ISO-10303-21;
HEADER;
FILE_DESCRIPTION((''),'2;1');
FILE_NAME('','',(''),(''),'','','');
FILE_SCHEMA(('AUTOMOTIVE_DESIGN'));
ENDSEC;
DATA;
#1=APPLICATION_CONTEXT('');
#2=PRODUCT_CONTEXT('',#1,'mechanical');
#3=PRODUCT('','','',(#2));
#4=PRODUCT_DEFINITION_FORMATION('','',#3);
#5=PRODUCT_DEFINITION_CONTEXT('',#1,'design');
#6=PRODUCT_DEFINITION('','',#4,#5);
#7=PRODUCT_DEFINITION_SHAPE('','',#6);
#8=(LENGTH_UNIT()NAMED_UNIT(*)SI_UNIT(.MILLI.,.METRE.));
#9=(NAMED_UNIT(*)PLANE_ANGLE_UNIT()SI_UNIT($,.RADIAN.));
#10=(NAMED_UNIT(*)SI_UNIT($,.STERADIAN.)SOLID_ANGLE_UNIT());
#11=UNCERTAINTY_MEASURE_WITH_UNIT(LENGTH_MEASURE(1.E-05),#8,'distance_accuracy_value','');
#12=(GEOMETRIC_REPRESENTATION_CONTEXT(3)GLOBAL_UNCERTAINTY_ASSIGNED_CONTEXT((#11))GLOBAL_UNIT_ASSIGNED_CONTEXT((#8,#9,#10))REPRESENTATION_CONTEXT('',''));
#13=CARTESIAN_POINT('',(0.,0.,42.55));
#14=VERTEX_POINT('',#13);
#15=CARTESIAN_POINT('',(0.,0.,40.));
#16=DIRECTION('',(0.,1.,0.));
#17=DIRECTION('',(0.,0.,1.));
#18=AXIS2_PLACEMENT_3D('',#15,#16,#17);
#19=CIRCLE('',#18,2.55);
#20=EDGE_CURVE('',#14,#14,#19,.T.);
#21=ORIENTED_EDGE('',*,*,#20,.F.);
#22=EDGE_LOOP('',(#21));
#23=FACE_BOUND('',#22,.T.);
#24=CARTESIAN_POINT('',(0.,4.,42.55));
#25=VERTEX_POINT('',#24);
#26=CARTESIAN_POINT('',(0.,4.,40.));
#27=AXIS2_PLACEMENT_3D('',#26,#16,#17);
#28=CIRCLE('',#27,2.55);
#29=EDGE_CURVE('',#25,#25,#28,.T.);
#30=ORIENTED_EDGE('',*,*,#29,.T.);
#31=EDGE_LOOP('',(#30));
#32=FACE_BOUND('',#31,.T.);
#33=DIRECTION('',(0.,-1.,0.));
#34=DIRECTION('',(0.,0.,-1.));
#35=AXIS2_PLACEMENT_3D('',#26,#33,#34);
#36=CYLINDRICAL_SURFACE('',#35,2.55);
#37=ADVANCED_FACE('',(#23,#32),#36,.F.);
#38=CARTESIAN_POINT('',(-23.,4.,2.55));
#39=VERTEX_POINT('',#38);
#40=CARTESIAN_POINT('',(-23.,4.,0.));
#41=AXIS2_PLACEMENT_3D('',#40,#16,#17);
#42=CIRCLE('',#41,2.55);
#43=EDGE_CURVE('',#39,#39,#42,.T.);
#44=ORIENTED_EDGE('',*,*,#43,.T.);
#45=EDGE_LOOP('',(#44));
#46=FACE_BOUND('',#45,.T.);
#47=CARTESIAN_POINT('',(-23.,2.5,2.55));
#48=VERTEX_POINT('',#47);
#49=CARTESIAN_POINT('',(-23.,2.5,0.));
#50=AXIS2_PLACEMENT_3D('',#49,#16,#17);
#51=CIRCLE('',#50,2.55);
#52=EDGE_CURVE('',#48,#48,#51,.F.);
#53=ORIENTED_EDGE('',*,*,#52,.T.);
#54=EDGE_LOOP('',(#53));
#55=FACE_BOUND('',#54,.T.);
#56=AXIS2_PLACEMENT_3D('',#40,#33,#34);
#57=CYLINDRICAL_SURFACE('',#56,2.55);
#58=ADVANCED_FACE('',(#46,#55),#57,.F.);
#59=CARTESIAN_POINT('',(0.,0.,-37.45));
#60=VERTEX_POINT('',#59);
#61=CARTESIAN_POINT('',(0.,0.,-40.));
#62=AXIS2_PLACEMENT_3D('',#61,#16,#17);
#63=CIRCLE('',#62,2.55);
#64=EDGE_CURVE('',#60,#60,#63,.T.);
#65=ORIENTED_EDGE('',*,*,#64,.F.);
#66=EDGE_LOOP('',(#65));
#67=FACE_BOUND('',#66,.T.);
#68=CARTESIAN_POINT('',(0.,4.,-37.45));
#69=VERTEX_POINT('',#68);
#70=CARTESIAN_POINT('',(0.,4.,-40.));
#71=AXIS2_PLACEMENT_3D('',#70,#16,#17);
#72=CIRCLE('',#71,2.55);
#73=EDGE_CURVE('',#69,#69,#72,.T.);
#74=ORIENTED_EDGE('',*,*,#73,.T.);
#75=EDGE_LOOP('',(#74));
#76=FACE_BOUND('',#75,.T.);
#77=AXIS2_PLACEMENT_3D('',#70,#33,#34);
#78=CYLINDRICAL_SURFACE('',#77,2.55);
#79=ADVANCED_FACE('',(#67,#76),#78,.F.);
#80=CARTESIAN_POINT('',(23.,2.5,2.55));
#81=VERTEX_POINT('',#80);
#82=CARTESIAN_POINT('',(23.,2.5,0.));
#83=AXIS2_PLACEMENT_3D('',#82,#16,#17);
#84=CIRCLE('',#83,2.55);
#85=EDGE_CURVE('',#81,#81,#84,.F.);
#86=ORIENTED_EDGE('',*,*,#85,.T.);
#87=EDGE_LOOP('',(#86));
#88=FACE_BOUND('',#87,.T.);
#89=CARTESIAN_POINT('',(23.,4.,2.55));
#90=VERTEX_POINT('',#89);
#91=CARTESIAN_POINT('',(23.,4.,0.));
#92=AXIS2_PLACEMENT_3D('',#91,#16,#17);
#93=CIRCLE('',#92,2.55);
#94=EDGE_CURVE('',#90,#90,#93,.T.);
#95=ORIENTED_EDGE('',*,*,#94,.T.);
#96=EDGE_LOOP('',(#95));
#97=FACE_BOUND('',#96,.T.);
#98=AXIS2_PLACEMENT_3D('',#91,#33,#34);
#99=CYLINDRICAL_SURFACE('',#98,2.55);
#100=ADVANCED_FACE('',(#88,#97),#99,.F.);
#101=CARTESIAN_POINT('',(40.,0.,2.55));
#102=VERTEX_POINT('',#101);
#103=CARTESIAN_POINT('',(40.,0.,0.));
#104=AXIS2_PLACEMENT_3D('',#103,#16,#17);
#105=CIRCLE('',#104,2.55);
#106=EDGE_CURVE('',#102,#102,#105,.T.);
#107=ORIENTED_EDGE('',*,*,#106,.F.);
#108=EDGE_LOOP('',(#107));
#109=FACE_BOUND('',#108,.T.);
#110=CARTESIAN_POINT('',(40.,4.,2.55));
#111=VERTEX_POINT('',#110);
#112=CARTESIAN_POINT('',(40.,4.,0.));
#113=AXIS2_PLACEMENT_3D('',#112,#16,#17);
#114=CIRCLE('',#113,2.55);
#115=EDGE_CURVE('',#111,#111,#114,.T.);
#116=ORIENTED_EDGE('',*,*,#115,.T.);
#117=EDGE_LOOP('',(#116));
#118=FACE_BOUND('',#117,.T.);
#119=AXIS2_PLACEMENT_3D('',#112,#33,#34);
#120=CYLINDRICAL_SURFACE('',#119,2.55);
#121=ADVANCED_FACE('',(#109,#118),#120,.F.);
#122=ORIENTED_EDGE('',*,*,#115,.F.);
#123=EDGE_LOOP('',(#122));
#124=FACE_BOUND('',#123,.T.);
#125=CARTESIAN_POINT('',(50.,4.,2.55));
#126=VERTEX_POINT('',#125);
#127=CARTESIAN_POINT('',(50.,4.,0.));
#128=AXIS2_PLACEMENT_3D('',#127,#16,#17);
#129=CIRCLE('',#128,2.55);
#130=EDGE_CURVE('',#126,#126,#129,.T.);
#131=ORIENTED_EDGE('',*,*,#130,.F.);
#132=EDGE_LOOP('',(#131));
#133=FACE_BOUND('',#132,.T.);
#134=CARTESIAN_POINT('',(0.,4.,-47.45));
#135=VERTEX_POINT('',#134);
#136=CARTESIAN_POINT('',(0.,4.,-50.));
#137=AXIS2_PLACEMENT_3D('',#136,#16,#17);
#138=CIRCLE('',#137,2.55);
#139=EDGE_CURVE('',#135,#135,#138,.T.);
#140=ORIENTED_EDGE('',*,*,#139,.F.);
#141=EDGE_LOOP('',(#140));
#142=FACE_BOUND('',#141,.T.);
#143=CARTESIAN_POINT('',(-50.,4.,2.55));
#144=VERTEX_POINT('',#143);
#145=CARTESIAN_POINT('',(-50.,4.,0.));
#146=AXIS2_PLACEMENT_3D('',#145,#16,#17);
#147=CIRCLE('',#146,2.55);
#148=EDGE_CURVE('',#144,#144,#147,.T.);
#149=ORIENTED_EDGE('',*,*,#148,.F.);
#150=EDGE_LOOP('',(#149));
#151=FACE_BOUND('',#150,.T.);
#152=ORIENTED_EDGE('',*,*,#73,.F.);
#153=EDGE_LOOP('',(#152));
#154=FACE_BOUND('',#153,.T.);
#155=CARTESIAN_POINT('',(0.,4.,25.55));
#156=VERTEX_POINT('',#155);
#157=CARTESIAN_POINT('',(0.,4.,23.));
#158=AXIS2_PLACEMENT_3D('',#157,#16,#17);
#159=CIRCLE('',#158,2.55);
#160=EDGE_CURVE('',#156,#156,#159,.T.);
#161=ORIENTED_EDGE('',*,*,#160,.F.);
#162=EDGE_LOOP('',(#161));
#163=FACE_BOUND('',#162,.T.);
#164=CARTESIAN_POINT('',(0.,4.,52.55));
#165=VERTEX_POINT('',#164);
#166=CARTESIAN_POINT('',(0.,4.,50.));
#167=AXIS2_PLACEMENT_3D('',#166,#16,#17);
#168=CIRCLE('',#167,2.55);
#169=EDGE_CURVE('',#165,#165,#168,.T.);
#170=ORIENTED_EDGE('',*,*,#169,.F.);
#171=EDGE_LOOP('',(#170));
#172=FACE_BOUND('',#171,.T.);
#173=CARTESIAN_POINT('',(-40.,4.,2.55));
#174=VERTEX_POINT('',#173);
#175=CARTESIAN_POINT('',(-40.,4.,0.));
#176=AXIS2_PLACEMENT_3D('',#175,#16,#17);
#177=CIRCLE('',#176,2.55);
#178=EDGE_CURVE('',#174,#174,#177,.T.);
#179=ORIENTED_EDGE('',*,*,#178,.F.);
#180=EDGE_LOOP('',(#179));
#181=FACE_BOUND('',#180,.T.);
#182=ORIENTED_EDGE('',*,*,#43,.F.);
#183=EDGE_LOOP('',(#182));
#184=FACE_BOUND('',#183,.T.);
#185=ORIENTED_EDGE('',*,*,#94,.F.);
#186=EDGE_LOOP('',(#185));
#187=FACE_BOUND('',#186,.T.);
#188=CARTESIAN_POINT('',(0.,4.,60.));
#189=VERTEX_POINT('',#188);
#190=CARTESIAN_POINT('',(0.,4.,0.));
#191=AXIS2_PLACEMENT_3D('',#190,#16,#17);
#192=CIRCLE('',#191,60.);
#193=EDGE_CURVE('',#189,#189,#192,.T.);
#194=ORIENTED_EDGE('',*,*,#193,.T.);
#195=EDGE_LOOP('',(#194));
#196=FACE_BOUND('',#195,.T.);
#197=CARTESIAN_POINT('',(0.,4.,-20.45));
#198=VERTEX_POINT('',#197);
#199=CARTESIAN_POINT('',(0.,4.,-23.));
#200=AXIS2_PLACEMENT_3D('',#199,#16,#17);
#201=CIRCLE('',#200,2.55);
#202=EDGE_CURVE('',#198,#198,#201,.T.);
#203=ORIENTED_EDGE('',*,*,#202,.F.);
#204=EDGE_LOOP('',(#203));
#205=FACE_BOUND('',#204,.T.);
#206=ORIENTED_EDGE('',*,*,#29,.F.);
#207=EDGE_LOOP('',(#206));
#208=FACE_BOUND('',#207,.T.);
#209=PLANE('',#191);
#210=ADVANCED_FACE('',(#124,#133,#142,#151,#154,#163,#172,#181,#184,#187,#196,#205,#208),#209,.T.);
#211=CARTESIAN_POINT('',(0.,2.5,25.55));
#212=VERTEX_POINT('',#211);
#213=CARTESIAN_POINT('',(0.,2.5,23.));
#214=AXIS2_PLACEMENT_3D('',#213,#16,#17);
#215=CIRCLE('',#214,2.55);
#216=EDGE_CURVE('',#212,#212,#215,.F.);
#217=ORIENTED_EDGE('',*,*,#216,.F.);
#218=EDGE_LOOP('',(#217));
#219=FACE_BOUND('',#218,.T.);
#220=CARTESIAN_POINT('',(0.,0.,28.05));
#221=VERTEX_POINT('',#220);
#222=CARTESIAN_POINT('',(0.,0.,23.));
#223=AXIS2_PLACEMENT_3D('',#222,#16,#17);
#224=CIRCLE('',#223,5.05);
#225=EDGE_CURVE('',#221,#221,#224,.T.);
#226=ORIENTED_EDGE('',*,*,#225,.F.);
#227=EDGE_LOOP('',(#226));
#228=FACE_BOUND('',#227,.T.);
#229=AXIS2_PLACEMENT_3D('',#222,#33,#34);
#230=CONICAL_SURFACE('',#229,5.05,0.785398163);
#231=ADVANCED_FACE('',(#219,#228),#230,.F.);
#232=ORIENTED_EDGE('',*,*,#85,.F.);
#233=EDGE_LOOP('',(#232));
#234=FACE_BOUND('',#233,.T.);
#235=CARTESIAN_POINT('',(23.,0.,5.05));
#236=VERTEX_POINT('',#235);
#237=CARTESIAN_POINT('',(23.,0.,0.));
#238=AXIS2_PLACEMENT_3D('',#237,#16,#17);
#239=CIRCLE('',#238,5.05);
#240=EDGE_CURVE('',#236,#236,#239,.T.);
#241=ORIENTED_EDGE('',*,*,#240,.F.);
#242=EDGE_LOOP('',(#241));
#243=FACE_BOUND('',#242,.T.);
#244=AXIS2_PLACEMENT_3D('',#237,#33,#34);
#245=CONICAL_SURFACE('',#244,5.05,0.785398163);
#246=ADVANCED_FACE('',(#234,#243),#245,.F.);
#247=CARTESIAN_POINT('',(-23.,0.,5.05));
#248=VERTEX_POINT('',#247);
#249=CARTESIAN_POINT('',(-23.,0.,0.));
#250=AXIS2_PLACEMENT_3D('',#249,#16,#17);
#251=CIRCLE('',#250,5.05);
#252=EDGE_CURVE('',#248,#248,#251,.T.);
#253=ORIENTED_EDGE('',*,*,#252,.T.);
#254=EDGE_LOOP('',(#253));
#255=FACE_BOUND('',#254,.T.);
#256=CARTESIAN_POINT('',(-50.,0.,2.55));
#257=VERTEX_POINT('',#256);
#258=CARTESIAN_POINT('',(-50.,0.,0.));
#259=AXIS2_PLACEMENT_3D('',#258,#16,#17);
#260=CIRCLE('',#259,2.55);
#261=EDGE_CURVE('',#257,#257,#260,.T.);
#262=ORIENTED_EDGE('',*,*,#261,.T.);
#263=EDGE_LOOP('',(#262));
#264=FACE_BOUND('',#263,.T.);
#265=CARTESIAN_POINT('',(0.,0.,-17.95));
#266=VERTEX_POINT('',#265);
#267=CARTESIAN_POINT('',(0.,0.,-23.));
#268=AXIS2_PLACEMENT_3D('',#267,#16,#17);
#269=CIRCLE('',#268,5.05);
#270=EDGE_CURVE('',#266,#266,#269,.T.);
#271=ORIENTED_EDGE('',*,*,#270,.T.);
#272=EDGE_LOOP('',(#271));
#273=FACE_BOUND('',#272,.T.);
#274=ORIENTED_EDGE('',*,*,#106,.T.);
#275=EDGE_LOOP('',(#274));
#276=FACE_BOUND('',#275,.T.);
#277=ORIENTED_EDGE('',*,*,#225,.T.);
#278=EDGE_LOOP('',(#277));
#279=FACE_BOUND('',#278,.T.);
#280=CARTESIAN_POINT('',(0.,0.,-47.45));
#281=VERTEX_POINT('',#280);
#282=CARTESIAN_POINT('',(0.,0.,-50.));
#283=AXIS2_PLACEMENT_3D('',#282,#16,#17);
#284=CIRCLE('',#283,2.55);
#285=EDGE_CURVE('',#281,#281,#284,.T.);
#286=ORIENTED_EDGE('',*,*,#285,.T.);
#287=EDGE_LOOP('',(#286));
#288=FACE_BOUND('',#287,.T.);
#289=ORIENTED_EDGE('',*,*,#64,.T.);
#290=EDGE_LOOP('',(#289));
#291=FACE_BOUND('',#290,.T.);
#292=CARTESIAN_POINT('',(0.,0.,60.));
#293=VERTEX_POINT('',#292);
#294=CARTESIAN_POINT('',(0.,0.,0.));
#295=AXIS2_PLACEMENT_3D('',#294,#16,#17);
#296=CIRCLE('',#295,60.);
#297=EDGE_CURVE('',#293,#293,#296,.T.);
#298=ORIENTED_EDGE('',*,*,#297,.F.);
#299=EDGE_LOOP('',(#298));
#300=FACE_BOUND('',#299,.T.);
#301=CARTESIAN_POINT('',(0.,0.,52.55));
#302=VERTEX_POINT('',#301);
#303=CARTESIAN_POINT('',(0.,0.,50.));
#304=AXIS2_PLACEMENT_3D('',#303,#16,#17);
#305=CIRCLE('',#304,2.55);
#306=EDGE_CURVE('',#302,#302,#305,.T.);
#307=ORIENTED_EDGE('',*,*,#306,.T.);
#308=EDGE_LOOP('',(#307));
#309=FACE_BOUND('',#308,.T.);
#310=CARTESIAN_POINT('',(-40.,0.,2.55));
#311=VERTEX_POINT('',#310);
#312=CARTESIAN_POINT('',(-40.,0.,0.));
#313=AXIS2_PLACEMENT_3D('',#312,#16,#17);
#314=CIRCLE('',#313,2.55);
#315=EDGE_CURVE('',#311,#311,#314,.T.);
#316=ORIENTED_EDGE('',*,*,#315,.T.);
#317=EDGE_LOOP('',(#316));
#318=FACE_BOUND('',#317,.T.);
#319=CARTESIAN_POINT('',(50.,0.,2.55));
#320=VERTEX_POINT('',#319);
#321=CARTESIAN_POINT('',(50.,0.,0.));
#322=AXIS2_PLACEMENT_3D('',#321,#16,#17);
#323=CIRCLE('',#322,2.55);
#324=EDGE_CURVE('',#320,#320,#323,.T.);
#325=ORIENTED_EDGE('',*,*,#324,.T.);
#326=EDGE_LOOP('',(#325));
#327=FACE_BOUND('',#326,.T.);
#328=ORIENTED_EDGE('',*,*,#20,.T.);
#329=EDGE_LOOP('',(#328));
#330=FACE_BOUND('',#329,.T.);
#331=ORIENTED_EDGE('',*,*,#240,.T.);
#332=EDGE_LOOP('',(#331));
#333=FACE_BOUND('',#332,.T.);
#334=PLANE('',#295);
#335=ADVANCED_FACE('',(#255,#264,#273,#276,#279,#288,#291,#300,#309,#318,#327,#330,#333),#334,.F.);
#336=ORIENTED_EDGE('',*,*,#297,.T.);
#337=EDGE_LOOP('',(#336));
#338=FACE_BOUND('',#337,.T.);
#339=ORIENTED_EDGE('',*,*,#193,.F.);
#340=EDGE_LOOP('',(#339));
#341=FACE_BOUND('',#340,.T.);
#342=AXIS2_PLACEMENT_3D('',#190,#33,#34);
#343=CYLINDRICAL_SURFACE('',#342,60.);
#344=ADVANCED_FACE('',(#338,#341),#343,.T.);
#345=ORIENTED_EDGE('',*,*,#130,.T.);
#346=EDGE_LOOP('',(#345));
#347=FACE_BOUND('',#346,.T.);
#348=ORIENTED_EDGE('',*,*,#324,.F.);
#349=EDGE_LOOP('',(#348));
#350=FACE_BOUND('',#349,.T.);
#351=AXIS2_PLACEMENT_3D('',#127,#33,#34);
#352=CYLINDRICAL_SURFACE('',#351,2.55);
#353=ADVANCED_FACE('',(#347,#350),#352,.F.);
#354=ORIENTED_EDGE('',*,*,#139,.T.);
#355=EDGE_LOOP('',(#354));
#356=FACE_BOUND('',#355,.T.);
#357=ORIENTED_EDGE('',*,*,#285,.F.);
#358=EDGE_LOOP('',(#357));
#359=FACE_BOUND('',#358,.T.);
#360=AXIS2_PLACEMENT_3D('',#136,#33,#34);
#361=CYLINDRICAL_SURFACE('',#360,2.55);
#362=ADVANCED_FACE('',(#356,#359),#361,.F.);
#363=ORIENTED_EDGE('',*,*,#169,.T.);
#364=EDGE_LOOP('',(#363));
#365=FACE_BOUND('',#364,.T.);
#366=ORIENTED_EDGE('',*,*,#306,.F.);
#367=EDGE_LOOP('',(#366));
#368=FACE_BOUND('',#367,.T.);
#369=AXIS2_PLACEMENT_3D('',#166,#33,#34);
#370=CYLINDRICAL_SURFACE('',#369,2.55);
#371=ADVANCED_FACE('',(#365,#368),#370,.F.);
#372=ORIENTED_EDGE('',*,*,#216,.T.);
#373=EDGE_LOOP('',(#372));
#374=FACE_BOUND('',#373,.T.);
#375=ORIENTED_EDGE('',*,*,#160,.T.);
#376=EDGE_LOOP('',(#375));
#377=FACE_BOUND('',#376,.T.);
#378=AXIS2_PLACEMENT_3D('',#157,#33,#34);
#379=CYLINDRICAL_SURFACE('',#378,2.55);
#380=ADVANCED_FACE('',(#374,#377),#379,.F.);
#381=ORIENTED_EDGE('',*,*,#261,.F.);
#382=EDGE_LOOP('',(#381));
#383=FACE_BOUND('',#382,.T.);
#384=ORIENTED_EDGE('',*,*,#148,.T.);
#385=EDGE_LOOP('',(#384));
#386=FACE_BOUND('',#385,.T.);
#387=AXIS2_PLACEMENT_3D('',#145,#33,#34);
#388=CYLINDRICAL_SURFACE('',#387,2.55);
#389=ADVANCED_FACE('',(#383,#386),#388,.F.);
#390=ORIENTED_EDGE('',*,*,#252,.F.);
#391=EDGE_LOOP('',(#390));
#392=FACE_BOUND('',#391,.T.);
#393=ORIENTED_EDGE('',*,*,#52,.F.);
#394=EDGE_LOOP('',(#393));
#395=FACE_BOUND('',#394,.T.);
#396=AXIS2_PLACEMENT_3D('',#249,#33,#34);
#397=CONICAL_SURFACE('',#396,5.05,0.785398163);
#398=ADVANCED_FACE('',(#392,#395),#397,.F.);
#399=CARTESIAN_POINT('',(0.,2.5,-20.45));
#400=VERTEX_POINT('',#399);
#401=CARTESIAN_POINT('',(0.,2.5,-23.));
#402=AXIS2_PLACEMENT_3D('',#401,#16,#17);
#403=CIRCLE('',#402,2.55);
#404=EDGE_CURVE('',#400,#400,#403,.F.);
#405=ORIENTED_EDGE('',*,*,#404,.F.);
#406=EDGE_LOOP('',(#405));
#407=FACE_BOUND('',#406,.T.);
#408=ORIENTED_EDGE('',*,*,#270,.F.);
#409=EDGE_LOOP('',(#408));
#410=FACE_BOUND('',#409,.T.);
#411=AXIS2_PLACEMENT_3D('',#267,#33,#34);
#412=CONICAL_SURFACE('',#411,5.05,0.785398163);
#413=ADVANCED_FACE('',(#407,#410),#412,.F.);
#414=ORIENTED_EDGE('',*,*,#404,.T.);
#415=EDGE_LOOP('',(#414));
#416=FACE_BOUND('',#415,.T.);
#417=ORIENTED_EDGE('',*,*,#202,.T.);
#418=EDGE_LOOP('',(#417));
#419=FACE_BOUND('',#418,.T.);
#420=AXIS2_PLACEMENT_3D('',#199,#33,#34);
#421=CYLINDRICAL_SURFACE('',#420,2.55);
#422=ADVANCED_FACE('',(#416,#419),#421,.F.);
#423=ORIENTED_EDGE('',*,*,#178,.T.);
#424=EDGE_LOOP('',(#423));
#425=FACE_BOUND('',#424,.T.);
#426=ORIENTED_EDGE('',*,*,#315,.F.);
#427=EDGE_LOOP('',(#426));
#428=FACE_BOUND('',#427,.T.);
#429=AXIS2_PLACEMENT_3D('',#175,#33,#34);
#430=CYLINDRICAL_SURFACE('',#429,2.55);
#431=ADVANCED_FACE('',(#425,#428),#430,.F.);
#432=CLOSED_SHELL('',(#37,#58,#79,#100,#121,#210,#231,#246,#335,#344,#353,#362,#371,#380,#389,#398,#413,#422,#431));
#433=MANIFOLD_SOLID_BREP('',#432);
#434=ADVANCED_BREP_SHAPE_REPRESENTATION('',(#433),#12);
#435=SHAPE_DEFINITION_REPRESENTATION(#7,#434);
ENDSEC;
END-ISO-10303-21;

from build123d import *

# Parameters (mm, degrees)
SKETCH_1_R      = 60
SKETCH_1_R_2    = 2.55
EXTRUDE_1_DEPTH = 4
CHAMFER_1_SIZE  = 2.5


with BuildPart() as part:
    # 草图1 → 凸台-拉伸1 (new body)
    with BuildSketch(Plane(origin=(0, 0, 0), x_dir=(1, 0, 0), z_dir=(0, 1, 0))):
        Circle(SKETCH_1_R)
        with Locations((0, 50)):
            Circle(SKETCH_1_R_2, mode=Mode.SUBTRACT)
        with Locations((50, 0)):
            Circle(SKETCH_1_R_2, mode=Mode.SUBTRACT)
        with Locations((0, -50)):
            Circle(SKETCH_1_R_2, mode=Mode.SUBTRACT)
        with Locations((-50, 0)):
            Circle(SKETCH_1_R_2, mode=Mode.SUBTRACT)
        with Locations((0, 40)):
            Circle(SKETCH_1_R_2, mode=Mode.SUBTRACT)
        with Locations((40, 0)):
            Circle(SKETCH_1_R_2, mode=Mode.SUBTRACT)
        with Locations((0, -40)):
            Circle(SKETCH_1_R_2, mode=Mode.SUBTRACT)
        with Locations((-40, 0)):
            Circle(SKETCH_1_R_2, mode=Mode.SUBTRACT)
        with Locations((0, 23)):
            Circle(SKETCH_1_R_2, mode=Mode.SUBTRACT)
        with Locations((23, 0)):
            Circle(SKETCH_1_R_2, mode=Mode.SUBTRACT)
        with Locations((0, -23)):
            Circle(SKETCH_1_R_2, mode=Mode.SUBTRACT)
        with Locations((-23, 0)):
            Circle(SKETCH_1_R_2, mode=Mode.SUBTRACT)
    extrude(amount=EXTRUDE_1_DEPTH)

    # 倒角1
    chamfer_1_edges = [part.edges().sort_by_distance(p)[0] for p in [
        (-2.55, 0, -23),
        (20.45, 0, 0),
        (-2.55, 0, 23),
        (-25.55, 0, 0),
    ]]
    chamfer(chamfer_1_edges, length=CHAMFER_1_SIZE)


solid = part.part
